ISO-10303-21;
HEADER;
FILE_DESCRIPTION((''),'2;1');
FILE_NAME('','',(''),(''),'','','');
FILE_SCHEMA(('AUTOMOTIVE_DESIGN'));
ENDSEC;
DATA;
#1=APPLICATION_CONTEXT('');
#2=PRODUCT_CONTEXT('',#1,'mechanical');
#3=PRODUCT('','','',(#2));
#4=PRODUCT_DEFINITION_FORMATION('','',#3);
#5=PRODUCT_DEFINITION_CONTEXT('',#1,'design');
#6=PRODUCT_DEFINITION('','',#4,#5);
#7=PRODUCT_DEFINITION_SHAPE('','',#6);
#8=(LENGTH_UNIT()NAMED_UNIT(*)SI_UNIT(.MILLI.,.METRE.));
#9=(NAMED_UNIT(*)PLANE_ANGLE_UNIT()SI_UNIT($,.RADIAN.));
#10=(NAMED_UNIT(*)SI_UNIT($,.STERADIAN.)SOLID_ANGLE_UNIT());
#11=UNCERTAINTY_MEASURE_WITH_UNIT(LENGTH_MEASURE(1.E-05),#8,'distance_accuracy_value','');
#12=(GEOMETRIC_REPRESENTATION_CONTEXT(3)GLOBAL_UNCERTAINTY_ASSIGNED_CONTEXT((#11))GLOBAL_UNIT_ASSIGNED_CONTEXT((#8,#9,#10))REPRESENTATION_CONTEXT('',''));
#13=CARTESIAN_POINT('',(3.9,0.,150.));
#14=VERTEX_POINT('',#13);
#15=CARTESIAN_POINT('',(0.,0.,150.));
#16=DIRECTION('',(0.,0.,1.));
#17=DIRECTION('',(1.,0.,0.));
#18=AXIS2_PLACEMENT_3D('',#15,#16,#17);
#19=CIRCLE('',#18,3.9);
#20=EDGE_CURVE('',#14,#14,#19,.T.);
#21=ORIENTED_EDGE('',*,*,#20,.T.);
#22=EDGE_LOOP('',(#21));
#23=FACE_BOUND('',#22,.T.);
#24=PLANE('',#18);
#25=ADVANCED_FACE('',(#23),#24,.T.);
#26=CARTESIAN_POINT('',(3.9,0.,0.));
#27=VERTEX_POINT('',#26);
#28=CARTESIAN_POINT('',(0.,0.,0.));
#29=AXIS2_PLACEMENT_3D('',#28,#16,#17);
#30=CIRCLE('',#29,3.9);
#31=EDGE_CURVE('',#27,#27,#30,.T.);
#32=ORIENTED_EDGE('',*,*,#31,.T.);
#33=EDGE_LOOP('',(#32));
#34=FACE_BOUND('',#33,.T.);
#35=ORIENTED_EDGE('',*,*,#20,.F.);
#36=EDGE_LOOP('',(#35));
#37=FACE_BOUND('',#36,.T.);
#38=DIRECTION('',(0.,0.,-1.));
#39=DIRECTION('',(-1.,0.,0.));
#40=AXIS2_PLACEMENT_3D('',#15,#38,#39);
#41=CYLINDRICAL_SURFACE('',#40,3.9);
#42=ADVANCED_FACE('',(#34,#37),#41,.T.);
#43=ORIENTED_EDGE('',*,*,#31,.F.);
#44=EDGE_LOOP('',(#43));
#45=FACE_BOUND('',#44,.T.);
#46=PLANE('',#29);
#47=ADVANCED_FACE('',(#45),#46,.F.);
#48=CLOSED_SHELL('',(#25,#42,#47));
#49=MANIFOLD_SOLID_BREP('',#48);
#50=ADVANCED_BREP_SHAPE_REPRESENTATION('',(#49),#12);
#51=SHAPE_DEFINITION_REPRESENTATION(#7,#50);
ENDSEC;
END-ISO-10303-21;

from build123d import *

# Parameters (mm, degrees)
ESBO_O1_R                = 3.9
RESSALTO_EXTRUS_O1_DEPTH = 150


with BuildPart() as part:
    # Esboço1 → Ressalto-extrusão1 (new body)
    with BuildSketch(Plane.XY):
        Circle(ESBO_O1_R)
    extrude(amount=RESSALTO_EXTRUS_O1_DEPTH)


solid = part.part
